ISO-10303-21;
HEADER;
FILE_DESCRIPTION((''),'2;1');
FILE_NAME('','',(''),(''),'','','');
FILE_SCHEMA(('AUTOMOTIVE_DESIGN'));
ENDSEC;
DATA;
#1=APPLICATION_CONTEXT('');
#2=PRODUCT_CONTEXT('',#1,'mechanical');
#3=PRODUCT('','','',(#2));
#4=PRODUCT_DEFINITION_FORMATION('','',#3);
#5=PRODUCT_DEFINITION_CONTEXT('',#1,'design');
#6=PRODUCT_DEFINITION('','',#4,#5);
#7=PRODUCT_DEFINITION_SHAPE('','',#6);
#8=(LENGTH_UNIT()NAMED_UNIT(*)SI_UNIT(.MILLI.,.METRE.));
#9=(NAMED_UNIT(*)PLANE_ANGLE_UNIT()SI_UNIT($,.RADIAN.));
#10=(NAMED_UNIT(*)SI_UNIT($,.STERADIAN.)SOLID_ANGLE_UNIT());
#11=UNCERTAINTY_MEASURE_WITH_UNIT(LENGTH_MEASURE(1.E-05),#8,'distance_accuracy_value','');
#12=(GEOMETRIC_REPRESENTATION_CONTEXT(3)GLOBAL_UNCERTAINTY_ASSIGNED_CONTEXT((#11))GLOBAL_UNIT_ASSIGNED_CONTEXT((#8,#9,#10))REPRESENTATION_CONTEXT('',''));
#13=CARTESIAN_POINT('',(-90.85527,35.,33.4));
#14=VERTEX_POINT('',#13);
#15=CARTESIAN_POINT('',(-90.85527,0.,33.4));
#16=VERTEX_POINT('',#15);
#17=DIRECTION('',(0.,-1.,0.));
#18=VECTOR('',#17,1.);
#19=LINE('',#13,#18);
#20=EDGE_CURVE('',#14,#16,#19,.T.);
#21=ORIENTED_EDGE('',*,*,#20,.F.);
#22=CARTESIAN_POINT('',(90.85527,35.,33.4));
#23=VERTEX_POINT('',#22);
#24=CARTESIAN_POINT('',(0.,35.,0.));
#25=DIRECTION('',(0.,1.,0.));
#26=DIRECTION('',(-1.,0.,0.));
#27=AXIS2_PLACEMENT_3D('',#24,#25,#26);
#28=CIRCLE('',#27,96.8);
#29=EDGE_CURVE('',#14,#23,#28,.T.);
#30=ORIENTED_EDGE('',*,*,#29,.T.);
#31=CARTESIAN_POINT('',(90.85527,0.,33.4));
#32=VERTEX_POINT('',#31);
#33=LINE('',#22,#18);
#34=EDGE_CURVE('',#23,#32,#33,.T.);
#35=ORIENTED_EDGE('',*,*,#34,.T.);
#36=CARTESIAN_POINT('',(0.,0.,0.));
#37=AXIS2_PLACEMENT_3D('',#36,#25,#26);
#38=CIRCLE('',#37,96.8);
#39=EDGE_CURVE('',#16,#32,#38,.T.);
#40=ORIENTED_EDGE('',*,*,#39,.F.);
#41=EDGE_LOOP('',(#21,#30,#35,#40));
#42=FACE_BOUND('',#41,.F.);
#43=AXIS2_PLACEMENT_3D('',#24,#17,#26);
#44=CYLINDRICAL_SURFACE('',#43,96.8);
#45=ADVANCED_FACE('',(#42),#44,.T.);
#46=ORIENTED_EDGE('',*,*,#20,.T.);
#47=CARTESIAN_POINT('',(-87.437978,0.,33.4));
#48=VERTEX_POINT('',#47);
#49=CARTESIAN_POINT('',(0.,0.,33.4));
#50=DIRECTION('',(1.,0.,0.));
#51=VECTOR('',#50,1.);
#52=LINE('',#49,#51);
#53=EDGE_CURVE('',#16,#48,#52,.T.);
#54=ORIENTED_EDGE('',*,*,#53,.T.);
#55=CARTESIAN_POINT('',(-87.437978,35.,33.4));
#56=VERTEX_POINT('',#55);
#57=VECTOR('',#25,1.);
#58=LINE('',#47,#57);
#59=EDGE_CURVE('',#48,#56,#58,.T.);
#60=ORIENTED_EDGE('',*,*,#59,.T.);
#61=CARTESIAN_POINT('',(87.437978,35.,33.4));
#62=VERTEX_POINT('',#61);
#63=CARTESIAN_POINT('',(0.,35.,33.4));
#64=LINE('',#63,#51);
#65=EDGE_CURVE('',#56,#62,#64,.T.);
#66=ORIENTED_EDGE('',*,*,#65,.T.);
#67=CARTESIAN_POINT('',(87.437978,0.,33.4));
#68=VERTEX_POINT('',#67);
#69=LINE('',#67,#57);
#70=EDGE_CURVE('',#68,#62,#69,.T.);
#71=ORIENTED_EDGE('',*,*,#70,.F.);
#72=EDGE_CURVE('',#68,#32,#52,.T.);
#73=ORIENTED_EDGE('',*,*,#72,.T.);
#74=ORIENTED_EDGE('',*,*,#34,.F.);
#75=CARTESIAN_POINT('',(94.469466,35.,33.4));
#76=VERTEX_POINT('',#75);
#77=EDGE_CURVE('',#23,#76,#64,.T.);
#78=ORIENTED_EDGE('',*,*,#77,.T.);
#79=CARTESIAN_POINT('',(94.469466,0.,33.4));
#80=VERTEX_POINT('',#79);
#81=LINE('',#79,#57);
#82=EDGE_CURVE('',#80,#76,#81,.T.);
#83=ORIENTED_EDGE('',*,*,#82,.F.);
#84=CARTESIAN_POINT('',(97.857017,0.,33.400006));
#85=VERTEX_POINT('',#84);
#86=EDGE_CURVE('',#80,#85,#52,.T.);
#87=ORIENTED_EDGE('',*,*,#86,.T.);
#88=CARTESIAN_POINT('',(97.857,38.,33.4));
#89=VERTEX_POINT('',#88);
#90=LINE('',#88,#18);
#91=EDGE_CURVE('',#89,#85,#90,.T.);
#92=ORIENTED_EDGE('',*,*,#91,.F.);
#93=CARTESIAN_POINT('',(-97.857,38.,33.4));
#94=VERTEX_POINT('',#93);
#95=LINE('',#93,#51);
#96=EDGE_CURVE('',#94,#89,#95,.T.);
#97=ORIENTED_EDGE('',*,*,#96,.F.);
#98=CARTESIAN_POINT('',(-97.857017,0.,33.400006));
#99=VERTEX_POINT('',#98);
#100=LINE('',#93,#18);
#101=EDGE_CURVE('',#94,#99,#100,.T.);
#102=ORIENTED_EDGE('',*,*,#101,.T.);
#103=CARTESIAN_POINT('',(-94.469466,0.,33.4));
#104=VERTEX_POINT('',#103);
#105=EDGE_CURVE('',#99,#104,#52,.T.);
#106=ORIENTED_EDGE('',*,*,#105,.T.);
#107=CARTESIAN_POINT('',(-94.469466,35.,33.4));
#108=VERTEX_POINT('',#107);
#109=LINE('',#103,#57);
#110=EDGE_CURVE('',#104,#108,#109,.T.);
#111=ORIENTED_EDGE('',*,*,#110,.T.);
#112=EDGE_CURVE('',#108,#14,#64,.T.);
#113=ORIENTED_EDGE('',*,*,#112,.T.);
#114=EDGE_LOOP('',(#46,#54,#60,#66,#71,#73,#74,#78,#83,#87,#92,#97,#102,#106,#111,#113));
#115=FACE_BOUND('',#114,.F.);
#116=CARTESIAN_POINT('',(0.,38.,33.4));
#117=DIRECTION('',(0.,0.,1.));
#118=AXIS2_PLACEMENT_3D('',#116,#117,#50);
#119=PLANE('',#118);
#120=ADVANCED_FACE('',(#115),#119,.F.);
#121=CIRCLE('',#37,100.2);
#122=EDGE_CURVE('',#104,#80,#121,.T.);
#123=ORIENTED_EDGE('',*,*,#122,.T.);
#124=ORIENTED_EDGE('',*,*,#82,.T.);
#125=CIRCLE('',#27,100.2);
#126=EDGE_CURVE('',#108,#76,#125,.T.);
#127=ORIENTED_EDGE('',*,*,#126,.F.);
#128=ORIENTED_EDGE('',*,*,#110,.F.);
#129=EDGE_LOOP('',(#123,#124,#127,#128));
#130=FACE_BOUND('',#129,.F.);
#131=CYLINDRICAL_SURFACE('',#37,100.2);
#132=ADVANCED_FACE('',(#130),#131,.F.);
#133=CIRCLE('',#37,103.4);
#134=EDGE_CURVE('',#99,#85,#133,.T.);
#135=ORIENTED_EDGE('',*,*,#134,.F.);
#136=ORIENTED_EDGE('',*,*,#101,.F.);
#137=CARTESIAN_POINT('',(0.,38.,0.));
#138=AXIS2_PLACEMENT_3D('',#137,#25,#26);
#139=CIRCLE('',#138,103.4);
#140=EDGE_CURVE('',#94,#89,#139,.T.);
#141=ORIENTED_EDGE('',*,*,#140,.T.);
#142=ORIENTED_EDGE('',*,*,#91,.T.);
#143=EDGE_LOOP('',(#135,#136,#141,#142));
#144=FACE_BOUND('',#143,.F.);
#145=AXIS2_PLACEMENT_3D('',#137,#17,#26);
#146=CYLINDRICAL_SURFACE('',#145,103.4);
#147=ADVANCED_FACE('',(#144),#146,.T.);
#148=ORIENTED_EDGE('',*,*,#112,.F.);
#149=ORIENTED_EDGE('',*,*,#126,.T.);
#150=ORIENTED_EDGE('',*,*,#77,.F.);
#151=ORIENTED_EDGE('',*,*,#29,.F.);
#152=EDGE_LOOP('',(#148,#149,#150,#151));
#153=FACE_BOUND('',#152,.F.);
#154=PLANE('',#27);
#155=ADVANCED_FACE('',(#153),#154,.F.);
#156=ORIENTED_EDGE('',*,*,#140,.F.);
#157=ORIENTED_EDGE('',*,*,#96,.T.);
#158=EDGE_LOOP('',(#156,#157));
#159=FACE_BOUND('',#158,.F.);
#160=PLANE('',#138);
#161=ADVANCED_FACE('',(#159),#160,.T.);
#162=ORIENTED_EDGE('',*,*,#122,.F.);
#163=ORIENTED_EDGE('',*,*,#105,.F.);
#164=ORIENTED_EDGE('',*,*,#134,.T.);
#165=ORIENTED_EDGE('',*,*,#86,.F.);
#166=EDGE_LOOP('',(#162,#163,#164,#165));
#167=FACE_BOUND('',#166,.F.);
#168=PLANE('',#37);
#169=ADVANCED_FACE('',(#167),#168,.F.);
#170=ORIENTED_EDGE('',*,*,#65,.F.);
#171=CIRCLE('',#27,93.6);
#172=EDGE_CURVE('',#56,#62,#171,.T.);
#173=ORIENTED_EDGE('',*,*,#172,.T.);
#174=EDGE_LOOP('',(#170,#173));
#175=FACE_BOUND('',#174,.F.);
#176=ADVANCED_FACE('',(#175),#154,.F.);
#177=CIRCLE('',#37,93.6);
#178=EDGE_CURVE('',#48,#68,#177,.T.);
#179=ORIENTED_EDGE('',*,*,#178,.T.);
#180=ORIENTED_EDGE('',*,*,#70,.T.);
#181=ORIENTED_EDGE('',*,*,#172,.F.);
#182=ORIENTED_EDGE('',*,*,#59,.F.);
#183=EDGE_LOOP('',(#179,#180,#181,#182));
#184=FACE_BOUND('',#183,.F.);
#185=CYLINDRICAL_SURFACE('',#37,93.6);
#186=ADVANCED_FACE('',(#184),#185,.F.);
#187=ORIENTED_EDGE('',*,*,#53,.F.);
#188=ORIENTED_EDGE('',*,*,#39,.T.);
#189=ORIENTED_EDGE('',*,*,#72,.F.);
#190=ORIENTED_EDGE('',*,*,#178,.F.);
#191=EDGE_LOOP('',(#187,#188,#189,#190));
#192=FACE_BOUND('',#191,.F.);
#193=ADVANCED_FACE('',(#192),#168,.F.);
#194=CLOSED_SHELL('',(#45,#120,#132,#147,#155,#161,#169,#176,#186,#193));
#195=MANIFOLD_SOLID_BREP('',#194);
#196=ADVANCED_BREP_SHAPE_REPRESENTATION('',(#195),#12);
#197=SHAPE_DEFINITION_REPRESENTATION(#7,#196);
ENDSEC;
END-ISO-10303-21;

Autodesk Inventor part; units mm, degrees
ref_plane "YZ Plane" through (0, 0, 0) normal (1, 0, 0) x (0, 1, 0)
ref_plane "XZ Plane" through (0, 0, 0) normal (0, 1, 0) x (-1, 0, 0)
ref_plane "XY Plane" through (0, 0, 0) normal (0, 0, 1) x (1, 0, 0)
sketch "Boceto1" plane through (0, 0, 0) normal (0, 0, 1) x (1, 0, 0)
  line L0 (0, 35) -> (0, 38)
  line L1 (0, 38) -> (-103.4, 38)
  line L2 (-103.4, 38) -> (-103.4, 0)
  line L3 (-103.4, 0) -> (-100.2, 0)
  line L4 (-100.2, 0) -> (-100.2, 35)
  line L5 (-100.2, 35) -> (-96.8, 35)
  line L6 (-96.8, 35) -> (-96.8, 0)
  line L7 (-96.8, 0) -> (-93.6, 0)
  line L8 (-93.6, 0) -> (-93.6, 35)
  line L9 (-93.6, 35) -> (0, 35)
  point P0 (0, 0)
  dimension "d0" = 38
  dimension "d1" = 103.4
  dimension "d2" = 3.2
  dimension "d3" = 35
  dimension "d4" = 3.4
  dimension "d5" = 3.2
revolve "Revolución1" add sketch "Boceto1" angle 180 about axis through (0, 35, 0) along (0, 1, 0)
sketch "Boceto2" plane through (-103.4, 38, 0) normal (0, 1, 0) x (1, 0, 0)
  line L0 (103.4, 0) -> (103.4, -103.4)
  arc A0 (0, 0) -> (206.8, 0) centre (103.4, 0) ccw projected
  line L1 (103.4, -103.4) -> (103.4, -33.4)
  line L2 (103.4, -33.4) -> (201.257, -33.4)
  line L3 (103.4, -33.4) -> (5.543, -33.4)
  circle A1 centre (103.4, 0) radius 103.4
  line L4 (206.8, 0) -> (0, 0)
  dimension "d7" = 70
extrude "Extrusión1" cut sketch "Boceto2" against normal blind 100 contours L4 A0 L2 L0 | L0 L3 A0 L4
properties part number "Tapa2"
